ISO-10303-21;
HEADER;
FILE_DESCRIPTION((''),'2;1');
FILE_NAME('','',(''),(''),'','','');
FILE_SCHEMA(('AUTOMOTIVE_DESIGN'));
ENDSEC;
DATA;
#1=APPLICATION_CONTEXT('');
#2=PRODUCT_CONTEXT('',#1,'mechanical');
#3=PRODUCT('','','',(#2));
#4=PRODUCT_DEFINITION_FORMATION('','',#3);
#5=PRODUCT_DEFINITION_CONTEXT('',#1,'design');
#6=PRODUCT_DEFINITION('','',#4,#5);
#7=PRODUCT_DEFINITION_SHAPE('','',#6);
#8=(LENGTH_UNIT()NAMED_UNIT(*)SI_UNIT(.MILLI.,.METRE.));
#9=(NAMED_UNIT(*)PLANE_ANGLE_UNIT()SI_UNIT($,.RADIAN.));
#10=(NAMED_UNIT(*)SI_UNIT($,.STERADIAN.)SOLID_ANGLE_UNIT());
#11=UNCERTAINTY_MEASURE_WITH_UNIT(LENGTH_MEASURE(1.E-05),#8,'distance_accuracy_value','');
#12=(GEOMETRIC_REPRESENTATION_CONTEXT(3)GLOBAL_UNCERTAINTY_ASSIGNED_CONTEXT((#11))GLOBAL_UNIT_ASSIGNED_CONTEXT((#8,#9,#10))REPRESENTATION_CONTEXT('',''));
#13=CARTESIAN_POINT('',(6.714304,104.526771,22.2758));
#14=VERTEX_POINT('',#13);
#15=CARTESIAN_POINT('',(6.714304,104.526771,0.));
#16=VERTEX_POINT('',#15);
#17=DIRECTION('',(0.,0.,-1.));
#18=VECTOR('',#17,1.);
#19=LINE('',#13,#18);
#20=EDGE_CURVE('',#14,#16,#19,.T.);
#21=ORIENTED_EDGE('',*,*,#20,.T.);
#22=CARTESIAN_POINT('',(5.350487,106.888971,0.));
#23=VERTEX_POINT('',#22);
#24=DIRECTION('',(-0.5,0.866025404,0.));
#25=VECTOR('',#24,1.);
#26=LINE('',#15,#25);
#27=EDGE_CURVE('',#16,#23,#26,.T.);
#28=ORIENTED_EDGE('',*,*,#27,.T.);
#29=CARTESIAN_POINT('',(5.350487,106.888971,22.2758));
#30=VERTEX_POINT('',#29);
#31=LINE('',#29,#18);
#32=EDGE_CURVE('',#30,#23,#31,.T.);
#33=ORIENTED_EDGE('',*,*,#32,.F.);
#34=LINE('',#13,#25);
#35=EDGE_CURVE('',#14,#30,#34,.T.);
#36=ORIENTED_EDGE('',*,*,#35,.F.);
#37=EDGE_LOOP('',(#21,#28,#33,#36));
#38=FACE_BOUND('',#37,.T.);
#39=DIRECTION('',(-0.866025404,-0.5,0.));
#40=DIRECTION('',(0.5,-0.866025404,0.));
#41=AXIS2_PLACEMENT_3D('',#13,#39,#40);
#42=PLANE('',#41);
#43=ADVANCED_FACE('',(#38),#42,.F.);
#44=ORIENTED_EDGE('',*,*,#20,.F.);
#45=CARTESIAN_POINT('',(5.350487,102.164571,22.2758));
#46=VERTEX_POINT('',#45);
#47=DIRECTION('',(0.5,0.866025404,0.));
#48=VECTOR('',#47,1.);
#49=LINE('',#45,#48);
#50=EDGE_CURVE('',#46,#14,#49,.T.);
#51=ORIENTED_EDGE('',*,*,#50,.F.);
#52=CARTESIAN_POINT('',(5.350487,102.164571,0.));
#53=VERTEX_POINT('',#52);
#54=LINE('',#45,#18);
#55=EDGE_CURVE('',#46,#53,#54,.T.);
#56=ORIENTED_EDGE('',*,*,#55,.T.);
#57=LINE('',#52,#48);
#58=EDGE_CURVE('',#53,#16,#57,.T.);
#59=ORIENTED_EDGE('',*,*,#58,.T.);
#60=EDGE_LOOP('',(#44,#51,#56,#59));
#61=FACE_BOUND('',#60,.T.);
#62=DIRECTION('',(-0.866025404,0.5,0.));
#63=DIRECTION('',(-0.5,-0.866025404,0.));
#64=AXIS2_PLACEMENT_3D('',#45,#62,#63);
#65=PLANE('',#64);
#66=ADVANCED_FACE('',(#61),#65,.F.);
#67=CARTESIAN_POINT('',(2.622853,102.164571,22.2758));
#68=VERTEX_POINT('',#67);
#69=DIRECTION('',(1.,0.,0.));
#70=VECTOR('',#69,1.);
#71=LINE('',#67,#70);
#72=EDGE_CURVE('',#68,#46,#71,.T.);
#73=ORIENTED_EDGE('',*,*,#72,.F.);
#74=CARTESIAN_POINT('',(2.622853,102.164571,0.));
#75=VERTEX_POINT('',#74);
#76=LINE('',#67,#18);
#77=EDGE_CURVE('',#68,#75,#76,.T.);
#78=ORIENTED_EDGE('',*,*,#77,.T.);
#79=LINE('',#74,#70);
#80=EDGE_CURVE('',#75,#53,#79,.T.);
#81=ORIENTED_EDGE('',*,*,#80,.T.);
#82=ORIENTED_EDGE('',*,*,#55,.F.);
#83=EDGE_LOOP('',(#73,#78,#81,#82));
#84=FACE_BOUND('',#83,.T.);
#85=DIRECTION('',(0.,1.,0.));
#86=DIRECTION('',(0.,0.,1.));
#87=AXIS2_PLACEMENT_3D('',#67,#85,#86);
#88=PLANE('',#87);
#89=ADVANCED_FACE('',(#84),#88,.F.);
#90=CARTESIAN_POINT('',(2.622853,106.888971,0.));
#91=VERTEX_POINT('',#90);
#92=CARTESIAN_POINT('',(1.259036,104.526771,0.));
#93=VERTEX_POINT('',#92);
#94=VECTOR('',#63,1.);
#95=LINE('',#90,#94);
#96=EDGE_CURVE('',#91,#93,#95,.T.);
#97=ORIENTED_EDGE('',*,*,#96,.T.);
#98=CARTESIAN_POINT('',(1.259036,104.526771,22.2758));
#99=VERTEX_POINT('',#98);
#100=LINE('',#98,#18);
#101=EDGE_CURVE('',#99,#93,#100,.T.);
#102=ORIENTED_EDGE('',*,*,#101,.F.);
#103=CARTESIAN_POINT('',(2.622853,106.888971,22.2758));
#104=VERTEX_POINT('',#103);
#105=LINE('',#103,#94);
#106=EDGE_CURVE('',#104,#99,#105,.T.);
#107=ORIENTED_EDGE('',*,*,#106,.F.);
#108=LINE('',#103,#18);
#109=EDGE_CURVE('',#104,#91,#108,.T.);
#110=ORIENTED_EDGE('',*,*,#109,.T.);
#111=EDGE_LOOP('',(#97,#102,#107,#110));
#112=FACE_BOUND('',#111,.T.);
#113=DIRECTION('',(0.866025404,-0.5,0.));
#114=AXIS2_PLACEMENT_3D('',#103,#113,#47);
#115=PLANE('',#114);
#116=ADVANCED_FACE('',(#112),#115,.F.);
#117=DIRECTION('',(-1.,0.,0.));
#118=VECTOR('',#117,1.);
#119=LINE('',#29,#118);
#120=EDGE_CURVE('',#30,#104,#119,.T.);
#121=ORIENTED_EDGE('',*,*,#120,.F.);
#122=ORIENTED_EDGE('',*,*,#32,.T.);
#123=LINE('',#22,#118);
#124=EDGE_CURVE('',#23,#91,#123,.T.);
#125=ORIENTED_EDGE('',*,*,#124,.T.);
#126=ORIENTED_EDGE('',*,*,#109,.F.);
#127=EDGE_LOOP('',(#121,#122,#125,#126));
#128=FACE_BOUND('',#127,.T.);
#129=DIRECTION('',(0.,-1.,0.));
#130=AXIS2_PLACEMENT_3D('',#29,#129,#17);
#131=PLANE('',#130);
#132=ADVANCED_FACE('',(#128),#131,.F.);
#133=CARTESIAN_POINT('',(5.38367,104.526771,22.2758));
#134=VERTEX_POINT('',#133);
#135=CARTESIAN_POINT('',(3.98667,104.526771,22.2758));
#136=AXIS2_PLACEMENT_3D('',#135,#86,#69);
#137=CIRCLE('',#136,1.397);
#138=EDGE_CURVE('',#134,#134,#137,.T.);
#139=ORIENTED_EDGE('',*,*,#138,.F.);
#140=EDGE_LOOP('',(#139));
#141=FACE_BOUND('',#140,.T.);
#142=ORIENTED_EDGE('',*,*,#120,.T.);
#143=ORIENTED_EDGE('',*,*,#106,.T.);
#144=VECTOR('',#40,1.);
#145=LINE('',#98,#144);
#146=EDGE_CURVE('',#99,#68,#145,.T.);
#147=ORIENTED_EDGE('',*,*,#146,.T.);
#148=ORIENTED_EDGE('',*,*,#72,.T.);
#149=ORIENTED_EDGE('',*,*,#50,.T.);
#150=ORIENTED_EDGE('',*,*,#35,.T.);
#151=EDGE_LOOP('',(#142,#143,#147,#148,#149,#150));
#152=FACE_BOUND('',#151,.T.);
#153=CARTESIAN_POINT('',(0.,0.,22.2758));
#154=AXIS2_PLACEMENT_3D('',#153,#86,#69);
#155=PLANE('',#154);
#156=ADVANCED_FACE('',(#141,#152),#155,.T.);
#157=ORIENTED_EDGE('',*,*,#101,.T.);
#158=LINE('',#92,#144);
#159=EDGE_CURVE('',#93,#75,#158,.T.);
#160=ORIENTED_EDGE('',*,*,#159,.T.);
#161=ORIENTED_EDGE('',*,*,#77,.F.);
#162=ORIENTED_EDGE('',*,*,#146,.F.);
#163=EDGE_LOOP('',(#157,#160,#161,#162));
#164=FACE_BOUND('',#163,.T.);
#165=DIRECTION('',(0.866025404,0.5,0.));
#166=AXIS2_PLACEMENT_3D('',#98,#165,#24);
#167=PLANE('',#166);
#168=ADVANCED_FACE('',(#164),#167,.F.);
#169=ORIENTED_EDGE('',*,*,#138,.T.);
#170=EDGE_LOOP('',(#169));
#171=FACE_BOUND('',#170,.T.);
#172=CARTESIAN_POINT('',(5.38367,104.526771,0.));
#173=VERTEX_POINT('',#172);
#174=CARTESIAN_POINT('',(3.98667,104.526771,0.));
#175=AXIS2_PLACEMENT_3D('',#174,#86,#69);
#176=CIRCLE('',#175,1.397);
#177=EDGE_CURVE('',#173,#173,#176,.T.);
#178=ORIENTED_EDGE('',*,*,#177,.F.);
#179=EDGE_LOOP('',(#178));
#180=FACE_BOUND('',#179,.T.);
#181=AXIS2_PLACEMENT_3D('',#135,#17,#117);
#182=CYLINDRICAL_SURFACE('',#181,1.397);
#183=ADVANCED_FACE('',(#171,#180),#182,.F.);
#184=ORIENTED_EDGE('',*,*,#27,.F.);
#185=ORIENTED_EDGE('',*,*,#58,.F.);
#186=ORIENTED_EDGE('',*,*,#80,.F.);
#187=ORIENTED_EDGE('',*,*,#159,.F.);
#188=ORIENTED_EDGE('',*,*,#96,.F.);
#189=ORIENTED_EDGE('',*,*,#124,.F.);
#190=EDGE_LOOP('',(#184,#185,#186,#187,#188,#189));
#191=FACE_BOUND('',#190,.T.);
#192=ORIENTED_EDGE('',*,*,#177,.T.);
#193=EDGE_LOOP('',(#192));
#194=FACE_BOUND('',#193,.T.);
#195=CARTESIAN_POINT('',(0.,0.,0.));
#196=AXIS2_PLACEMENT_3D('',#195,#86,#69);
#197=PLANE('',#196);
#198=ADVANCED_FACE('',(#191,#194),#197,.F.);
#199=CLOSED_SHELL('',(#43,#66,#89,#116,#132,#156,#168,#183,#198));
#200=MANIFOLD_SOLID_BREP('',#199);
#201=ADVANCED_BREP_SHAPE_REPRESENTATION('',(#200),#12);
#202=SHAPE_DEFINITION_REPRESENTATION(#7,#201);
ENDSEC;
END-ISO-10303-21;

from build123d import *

# Parameters (mm, degrees)
SKETCH1_R           = 1.397
BOSS_EXTRUDE1_DEPTH = 22.2758


with BuildPart() as part:
    # Sketch1 → Boss-Extrude1 (new body)
    with BuildSketch(Plane.XY):
        Polygon((2.62285315, 106.888971188), (1.259036344, 104.526771188), (2.62285315, 102.164571188), (5.350486762, 102.164571188), (6.714303568, 104.526771188), (5.350486762, 106.888971188), align=None)
        with Locations((3.986669956, 104.526771188)):
            Circle(SKETCH1_R, mode=Mode.SUBTRACT)
    extrude(amount=BOSS_EXTRUDE1_DEPTH)


solid = part.part
